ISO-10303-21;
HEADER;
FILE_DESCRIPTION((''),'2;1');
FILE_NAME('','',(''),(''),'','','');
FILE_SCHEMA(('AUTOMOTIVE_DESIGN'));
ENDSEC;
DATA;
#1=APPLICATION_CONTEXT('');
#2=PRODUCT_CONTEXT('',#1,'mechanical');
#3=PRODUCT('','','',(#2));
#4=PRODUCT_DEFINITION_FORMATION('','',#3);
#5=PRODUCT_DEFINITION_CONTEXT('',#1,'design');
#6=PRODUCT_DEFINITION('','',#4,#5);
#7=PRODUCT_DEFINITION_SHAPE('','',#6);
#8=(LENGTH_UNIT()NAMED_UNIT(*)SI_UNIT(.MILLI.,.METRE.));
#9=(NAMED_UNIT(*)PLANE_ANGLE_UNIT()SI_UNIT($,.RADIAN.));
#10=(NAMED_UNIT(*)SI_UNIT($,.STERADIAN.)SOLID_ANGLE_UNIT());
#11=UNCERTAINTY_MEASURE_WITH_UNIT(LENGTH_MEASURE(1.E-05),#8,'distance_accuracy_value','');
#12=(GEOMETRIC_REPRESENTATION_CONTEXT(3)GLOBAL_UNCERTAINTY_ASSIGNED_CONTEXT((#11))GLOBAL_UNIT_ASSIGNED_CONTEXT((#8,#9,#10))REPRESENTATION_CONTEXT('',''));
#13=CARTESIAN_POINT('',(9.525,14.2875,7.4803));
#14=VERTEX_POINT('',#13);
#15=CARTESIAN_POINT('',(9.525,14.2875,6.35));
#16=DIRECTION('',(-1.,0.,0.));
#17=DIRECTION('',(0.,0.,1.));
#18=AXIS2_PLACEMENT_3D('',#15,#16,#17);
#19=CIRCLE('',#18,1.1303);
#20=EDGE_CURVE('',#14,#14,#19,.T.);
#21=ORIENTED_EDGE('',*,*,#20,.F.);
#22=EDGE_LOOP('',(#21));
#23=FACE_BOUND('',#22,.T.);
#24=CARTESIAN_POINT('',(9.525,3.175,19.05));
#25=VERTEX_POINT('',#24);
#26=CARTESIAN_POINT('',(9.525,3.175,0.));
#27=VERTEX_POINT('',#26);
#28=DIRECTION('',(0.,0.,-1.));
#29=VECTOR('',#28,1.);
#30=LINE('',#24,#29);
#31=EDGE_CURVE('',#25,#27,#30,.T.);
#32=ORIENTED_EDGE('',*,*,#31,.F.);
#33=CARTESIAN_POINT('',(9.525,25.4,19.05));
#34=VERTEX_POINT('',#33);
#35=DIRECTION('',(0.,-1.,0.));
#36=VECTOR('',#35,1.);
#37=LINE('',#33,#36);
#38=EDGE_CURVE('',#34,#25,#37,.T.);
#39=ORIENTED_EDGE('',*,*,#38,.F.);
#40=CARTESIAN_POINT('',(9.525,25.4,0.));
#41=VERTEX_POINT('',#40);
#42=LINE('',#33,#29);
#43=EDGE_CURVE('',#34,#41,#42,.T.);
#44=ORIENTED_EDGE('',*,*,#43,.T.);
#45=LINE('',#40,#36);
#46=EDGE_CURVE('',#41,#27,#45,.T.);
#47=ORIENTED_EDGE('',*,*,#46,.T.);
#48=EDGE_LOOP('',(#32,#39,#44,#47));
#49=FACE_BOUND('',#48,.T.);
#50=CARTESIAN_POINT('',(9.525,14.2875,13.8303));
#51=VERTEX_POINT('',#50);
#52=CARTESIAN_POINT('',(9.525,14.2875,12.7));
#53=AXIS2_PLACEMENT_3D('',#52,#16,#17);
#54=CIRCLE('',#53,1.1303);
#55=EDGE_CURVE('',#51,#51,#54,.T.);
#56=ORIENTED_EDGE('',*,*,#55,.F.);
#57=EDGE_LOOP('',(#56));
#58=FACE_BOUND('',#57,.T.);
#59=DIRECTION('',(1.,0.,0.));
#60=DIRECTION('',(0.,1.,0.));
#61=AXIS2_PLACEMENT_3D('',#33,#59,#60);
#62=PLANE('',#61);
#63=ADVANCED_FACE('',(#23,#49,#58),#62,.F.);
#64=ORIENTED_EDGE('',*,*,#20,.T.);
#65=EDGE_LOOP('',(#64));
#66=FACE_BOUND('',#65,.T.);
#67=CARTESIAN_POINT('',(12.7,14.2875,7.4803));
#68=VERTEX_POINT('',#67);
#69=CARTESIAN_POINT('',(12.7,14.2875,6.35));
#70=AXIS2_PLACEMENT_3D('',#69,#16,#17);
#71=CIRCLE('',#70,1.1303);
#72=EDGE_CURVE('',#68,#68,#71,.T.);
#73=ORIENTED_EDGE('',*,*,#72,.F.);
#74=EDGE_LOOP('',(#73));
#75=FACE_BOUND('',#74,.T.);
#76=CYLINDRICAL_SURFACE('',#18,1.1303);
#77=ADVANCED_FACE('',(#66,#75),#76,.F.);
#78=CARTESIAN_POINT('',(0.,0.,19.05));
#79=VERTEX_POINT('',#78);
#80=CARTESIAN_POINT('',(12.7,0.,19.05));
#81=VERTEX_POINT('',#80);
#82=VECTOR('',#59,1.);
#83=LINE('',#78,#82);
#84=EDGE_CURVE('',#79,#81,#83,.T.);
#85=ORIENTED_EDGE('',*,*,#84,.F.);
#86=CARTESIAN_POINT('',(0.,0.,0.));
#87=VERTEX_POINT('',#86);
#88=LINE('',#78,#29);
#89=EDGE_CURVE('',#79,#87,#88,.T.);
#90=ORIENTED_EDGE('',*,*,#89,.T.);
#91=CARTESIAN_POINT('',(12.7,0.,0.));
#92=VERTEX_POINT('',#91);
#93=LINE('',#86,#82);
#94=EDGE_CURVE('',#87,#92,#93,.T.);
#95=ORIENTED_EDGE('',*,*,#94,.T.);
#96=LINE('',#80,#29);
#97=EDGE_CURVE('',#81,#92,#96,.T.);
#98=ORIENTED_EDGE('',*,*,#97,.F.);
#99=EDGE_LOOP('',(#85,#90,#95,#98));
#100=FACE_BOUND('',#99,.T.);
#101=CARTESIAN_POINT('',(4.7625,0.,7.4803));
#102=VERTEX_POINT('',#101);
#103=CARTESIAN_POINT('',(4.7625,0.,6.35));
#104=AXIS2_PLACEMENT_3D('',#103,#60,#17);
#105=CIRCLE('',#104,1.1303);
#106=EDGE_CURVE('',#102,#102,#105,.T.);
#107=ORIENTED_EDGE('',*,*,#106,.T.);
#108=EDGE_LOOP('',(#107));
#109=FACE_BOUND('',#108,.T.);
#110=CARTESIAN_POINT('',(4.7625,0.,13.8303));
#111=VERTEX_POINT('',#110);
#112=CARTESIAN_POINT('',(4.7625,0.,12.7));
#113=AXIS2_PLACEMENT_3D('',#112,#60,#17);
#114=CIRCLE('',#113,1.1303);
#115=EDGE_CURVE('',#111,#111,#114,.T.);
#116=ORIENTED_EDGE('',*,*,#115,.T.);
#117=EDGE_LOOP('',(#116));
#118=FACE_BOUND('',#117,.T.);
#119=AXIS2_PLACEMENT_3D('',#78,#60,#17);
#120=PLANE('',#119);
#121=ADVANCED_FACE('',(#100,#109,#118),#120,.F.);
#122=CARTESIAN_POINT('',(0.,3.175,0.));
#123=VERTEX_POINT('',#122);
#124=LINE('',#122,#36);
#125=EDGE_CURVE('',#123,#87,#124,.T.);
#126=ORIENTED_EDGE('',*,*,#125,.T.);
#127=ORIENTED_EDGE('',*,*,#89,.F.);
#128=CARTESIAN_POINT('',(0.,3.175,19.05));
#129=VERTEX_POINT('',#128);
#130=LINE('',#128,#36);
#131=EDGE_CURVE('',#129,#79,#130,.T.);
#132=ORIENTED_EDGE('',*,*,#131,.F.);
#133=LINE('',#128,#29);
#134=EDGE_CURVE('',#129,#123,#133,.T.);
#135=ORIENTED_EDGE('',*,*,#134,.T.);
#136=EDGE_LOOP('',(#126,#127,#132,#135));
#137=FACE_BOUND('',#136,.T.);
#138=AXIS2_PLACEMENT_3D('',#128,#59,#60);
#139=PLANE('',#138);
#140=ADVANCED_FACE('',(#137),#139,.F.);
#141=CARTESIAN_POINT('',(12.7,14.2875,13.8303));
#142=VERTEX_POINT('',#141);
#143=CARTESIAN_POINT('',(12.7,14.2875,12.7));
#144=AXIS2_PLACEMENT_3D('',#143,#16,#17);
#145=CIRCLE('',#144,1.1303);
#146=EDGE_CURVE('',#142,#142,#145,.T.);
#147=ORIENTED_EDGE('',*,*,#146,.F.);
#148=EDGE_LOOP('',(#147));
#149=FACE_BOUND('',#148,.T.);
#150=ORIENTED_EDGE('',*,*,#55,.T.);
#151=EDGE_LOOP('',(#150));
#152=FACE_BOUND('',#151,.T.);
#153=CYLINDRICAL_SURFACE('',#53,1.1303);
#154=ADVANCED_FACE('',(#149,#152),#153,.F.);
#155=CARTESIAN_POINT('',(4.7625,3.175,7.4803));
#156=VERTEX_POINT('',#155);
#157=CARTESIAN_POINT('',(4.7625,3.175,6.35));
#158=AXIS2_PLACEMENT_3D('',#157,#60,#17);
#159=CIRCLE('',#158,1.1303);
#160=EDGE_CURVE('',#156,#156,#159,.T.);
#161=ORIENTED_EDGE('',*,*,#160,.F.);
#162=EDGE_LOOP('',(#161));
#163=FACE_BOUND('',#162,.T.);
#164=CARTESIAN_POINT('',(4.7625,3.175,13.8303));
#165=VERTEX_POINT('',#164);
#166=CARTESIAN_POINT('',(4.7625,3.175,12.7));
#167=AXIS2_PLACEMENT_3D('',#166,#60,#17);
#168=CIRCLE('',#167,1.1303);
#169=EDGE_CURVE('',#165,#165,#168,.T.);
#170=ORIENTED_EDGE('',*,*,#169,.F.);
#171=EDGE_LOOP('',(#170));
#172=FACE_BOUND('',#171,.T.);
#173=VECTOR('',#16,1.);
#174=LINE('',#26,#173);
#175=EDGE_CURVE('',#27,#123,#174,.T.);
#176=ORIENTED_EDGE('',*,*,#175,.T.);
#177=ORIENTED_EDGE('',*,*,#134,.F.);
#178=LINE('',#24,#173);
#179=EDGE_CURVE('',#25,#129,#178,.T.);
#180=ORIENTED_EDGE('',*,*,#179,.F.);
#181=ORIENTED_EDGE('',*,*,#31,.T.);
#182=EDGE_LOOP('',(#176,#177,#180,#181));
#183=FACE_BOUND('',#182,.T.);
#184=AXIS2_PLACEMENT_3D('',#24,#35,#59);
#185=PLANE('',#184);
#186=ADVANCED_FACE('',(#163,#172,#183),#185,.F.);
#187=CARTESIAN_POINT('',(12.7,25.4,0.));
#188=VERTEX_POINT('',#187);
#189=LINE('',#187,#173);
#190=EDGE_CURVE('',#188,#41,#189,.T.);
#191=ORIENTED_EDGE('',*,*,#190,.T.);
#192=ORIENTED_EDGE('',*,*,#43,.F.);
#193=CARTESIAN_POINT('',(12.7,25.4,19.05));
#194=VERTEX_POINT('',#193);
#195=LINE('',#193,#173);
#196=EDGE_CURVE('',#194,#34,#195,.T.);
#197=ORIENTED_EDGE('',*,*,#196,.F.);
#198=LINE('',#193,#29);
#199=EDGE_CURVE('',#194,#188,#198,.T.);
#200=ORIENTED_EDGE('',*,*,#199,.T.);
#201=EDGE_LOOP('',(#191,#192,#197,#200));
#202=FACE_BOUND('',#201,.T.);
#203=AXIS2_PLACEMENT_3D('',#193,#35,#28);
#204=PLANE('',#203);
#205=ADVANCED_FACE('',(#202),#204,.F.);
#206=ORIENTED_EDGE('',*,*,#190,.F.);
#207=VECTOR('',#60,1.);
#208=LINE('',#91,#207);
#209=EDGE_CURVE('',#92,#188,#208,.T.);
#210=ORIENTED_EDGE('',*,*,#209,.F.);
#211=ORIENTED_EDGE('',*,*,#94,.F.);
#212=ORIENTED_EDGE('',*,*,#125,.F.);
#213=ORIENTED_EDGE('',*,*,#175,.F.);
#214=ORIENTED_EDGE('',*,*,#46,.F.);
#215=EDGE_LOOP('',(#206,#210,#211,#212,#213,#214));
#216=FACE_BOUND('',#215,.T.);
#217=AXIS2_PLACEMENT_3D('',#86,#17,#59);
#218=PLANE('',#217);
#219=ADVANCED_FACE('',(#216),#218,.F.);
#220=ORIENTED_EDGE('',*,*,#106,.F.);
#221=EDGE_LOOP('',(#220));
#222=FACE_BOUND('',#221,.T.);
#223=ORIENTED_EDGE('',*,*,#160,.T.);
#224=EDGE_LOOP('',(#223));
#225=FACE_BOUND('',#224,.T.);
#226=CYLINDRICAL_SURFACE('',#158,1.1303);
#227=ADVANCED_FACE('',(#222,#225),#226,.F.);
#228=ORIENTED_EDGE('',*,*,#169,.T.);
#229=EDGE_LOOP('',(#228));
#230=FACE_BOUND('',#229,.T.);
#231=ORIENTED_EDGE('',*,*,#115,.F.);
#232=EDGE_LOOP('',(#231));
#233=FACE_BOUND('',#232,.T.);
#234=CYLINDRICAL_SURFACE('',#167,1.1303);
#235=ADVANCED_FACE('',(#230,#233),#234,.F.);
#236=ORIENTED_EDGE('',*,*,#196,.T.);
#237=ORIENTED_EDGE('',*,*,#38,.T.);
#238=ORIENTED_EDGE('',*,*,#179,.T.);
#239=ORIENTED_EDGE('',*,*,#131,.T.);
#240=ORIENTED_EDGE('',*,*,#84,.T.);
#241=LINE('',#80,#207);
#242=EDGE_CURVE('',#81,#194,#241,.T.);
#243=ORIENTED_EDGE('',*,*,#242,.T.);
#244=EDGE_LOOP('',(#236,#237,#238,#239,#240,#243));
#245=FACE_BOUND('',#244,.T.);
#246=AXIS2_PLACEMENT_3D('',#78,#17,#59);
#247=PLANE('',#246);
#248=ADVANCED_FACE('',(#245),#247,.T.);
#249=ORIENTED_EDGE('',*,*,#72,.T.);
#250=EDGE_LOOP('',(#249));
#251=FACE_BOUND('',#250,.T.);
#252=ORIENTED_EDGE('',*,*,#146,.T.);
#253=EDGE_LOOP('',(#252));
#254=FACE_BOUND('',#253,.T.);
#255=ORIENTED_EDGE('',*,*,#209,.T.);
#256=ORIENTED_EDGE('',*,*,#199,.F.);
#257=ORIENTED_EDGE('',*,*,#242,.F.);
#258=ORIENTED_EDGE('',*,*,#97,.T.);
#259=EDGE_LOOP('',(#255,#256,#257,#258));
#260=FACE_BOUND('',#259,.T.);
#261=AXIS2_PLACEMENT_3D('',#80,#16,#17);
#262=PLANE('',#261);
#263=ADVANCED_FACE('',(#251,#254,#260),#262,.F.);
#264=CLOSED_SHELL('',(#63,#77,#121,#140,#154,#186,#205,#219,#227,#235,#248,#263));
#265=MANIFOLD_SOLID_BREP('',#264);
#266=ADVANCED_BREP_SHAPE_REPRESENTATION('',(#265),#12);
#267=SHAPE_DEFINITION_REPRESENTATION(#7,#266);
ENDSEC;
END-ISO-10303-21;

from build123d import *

# Parameters (mm, degrees)
BOSS_EXTRUDE1_DEPTH       = 19.05
F_4_40_TAPPED_HOLE1_D     = 2.2606
F_4_40_TAPPED_HOLE1_DEPTH = 7.5946
F_4_40_TAPPED_HOLE1_TIP   = 0.679152758
F_4_40_TAPPED_HOLE2_D     = 2.2606
F_4_40_TAPPED_HOLE2_DEPTH = 7.5946
F_4_40_TAPPED_HOLE2_TIP   = 0.679152758


with BuildPart() as part:
    # Sketch1 → Boss-Extrude1 (new body)
    with BuildSketch(Plane.XY):
        Polygon((0, 0), (12.7, 0), (12.7, 25.4), (9.525, 25.4), (9.525, 3.175), (0, 3.175), align=None)
    extrude(amount=BOSS_EXTRUDE1_DEPTH)

    # #4-40 Tapped Hole1
    with Locations(Plane.ZY.offset(-9.525)):
        with Locations((6.35, 14.2875), (12.7, 14.2875)):
            Hole(F_4_40_TAPPED_HOLE1_D / 2, depth=F_4_40_TAPPED_HOLE1_DEPTH)
            with Locations((0, 0, -(F_4_40_TAPPED_HOLE1_DEPTH + F_4_40_TAPPED_HOLE1_TIP / 2))):  # 118° drill point
                Cone(0, F_4_40_TAPPED_HOLE1_D / 2, F_4_40_TAPPED_HOLE1_TIP, mode=Mode.SUBTRACT)

    # #4-40 Tapped Hole2
    with Locations(Plane(origin=(0, 3.175, 0), x_dir=(1, 0, 0), z_dir=(0, 1, 0))):
        with Locations((4.7625, -6.35), (4.7625, -12.7)):
            Hole(F_4_40_TAPPED_HOLE2_D / 2, depth=F_4_40_TAPPED_HOLE2_DEPTH)
            with Locations((0, 0, -(F_4_40_TAPPED_HOLE2_DEPTH + F_4_40_TAPPED_HOLE2_TIP / 2))):  # 118° drill point
                Cone(0, F_4_40_TAPPED_HOLE2_D / 2, F_4_40_TAPPED_HOLE2_TIP, mode=Mode.SUBTRACT)


solid = part.part
